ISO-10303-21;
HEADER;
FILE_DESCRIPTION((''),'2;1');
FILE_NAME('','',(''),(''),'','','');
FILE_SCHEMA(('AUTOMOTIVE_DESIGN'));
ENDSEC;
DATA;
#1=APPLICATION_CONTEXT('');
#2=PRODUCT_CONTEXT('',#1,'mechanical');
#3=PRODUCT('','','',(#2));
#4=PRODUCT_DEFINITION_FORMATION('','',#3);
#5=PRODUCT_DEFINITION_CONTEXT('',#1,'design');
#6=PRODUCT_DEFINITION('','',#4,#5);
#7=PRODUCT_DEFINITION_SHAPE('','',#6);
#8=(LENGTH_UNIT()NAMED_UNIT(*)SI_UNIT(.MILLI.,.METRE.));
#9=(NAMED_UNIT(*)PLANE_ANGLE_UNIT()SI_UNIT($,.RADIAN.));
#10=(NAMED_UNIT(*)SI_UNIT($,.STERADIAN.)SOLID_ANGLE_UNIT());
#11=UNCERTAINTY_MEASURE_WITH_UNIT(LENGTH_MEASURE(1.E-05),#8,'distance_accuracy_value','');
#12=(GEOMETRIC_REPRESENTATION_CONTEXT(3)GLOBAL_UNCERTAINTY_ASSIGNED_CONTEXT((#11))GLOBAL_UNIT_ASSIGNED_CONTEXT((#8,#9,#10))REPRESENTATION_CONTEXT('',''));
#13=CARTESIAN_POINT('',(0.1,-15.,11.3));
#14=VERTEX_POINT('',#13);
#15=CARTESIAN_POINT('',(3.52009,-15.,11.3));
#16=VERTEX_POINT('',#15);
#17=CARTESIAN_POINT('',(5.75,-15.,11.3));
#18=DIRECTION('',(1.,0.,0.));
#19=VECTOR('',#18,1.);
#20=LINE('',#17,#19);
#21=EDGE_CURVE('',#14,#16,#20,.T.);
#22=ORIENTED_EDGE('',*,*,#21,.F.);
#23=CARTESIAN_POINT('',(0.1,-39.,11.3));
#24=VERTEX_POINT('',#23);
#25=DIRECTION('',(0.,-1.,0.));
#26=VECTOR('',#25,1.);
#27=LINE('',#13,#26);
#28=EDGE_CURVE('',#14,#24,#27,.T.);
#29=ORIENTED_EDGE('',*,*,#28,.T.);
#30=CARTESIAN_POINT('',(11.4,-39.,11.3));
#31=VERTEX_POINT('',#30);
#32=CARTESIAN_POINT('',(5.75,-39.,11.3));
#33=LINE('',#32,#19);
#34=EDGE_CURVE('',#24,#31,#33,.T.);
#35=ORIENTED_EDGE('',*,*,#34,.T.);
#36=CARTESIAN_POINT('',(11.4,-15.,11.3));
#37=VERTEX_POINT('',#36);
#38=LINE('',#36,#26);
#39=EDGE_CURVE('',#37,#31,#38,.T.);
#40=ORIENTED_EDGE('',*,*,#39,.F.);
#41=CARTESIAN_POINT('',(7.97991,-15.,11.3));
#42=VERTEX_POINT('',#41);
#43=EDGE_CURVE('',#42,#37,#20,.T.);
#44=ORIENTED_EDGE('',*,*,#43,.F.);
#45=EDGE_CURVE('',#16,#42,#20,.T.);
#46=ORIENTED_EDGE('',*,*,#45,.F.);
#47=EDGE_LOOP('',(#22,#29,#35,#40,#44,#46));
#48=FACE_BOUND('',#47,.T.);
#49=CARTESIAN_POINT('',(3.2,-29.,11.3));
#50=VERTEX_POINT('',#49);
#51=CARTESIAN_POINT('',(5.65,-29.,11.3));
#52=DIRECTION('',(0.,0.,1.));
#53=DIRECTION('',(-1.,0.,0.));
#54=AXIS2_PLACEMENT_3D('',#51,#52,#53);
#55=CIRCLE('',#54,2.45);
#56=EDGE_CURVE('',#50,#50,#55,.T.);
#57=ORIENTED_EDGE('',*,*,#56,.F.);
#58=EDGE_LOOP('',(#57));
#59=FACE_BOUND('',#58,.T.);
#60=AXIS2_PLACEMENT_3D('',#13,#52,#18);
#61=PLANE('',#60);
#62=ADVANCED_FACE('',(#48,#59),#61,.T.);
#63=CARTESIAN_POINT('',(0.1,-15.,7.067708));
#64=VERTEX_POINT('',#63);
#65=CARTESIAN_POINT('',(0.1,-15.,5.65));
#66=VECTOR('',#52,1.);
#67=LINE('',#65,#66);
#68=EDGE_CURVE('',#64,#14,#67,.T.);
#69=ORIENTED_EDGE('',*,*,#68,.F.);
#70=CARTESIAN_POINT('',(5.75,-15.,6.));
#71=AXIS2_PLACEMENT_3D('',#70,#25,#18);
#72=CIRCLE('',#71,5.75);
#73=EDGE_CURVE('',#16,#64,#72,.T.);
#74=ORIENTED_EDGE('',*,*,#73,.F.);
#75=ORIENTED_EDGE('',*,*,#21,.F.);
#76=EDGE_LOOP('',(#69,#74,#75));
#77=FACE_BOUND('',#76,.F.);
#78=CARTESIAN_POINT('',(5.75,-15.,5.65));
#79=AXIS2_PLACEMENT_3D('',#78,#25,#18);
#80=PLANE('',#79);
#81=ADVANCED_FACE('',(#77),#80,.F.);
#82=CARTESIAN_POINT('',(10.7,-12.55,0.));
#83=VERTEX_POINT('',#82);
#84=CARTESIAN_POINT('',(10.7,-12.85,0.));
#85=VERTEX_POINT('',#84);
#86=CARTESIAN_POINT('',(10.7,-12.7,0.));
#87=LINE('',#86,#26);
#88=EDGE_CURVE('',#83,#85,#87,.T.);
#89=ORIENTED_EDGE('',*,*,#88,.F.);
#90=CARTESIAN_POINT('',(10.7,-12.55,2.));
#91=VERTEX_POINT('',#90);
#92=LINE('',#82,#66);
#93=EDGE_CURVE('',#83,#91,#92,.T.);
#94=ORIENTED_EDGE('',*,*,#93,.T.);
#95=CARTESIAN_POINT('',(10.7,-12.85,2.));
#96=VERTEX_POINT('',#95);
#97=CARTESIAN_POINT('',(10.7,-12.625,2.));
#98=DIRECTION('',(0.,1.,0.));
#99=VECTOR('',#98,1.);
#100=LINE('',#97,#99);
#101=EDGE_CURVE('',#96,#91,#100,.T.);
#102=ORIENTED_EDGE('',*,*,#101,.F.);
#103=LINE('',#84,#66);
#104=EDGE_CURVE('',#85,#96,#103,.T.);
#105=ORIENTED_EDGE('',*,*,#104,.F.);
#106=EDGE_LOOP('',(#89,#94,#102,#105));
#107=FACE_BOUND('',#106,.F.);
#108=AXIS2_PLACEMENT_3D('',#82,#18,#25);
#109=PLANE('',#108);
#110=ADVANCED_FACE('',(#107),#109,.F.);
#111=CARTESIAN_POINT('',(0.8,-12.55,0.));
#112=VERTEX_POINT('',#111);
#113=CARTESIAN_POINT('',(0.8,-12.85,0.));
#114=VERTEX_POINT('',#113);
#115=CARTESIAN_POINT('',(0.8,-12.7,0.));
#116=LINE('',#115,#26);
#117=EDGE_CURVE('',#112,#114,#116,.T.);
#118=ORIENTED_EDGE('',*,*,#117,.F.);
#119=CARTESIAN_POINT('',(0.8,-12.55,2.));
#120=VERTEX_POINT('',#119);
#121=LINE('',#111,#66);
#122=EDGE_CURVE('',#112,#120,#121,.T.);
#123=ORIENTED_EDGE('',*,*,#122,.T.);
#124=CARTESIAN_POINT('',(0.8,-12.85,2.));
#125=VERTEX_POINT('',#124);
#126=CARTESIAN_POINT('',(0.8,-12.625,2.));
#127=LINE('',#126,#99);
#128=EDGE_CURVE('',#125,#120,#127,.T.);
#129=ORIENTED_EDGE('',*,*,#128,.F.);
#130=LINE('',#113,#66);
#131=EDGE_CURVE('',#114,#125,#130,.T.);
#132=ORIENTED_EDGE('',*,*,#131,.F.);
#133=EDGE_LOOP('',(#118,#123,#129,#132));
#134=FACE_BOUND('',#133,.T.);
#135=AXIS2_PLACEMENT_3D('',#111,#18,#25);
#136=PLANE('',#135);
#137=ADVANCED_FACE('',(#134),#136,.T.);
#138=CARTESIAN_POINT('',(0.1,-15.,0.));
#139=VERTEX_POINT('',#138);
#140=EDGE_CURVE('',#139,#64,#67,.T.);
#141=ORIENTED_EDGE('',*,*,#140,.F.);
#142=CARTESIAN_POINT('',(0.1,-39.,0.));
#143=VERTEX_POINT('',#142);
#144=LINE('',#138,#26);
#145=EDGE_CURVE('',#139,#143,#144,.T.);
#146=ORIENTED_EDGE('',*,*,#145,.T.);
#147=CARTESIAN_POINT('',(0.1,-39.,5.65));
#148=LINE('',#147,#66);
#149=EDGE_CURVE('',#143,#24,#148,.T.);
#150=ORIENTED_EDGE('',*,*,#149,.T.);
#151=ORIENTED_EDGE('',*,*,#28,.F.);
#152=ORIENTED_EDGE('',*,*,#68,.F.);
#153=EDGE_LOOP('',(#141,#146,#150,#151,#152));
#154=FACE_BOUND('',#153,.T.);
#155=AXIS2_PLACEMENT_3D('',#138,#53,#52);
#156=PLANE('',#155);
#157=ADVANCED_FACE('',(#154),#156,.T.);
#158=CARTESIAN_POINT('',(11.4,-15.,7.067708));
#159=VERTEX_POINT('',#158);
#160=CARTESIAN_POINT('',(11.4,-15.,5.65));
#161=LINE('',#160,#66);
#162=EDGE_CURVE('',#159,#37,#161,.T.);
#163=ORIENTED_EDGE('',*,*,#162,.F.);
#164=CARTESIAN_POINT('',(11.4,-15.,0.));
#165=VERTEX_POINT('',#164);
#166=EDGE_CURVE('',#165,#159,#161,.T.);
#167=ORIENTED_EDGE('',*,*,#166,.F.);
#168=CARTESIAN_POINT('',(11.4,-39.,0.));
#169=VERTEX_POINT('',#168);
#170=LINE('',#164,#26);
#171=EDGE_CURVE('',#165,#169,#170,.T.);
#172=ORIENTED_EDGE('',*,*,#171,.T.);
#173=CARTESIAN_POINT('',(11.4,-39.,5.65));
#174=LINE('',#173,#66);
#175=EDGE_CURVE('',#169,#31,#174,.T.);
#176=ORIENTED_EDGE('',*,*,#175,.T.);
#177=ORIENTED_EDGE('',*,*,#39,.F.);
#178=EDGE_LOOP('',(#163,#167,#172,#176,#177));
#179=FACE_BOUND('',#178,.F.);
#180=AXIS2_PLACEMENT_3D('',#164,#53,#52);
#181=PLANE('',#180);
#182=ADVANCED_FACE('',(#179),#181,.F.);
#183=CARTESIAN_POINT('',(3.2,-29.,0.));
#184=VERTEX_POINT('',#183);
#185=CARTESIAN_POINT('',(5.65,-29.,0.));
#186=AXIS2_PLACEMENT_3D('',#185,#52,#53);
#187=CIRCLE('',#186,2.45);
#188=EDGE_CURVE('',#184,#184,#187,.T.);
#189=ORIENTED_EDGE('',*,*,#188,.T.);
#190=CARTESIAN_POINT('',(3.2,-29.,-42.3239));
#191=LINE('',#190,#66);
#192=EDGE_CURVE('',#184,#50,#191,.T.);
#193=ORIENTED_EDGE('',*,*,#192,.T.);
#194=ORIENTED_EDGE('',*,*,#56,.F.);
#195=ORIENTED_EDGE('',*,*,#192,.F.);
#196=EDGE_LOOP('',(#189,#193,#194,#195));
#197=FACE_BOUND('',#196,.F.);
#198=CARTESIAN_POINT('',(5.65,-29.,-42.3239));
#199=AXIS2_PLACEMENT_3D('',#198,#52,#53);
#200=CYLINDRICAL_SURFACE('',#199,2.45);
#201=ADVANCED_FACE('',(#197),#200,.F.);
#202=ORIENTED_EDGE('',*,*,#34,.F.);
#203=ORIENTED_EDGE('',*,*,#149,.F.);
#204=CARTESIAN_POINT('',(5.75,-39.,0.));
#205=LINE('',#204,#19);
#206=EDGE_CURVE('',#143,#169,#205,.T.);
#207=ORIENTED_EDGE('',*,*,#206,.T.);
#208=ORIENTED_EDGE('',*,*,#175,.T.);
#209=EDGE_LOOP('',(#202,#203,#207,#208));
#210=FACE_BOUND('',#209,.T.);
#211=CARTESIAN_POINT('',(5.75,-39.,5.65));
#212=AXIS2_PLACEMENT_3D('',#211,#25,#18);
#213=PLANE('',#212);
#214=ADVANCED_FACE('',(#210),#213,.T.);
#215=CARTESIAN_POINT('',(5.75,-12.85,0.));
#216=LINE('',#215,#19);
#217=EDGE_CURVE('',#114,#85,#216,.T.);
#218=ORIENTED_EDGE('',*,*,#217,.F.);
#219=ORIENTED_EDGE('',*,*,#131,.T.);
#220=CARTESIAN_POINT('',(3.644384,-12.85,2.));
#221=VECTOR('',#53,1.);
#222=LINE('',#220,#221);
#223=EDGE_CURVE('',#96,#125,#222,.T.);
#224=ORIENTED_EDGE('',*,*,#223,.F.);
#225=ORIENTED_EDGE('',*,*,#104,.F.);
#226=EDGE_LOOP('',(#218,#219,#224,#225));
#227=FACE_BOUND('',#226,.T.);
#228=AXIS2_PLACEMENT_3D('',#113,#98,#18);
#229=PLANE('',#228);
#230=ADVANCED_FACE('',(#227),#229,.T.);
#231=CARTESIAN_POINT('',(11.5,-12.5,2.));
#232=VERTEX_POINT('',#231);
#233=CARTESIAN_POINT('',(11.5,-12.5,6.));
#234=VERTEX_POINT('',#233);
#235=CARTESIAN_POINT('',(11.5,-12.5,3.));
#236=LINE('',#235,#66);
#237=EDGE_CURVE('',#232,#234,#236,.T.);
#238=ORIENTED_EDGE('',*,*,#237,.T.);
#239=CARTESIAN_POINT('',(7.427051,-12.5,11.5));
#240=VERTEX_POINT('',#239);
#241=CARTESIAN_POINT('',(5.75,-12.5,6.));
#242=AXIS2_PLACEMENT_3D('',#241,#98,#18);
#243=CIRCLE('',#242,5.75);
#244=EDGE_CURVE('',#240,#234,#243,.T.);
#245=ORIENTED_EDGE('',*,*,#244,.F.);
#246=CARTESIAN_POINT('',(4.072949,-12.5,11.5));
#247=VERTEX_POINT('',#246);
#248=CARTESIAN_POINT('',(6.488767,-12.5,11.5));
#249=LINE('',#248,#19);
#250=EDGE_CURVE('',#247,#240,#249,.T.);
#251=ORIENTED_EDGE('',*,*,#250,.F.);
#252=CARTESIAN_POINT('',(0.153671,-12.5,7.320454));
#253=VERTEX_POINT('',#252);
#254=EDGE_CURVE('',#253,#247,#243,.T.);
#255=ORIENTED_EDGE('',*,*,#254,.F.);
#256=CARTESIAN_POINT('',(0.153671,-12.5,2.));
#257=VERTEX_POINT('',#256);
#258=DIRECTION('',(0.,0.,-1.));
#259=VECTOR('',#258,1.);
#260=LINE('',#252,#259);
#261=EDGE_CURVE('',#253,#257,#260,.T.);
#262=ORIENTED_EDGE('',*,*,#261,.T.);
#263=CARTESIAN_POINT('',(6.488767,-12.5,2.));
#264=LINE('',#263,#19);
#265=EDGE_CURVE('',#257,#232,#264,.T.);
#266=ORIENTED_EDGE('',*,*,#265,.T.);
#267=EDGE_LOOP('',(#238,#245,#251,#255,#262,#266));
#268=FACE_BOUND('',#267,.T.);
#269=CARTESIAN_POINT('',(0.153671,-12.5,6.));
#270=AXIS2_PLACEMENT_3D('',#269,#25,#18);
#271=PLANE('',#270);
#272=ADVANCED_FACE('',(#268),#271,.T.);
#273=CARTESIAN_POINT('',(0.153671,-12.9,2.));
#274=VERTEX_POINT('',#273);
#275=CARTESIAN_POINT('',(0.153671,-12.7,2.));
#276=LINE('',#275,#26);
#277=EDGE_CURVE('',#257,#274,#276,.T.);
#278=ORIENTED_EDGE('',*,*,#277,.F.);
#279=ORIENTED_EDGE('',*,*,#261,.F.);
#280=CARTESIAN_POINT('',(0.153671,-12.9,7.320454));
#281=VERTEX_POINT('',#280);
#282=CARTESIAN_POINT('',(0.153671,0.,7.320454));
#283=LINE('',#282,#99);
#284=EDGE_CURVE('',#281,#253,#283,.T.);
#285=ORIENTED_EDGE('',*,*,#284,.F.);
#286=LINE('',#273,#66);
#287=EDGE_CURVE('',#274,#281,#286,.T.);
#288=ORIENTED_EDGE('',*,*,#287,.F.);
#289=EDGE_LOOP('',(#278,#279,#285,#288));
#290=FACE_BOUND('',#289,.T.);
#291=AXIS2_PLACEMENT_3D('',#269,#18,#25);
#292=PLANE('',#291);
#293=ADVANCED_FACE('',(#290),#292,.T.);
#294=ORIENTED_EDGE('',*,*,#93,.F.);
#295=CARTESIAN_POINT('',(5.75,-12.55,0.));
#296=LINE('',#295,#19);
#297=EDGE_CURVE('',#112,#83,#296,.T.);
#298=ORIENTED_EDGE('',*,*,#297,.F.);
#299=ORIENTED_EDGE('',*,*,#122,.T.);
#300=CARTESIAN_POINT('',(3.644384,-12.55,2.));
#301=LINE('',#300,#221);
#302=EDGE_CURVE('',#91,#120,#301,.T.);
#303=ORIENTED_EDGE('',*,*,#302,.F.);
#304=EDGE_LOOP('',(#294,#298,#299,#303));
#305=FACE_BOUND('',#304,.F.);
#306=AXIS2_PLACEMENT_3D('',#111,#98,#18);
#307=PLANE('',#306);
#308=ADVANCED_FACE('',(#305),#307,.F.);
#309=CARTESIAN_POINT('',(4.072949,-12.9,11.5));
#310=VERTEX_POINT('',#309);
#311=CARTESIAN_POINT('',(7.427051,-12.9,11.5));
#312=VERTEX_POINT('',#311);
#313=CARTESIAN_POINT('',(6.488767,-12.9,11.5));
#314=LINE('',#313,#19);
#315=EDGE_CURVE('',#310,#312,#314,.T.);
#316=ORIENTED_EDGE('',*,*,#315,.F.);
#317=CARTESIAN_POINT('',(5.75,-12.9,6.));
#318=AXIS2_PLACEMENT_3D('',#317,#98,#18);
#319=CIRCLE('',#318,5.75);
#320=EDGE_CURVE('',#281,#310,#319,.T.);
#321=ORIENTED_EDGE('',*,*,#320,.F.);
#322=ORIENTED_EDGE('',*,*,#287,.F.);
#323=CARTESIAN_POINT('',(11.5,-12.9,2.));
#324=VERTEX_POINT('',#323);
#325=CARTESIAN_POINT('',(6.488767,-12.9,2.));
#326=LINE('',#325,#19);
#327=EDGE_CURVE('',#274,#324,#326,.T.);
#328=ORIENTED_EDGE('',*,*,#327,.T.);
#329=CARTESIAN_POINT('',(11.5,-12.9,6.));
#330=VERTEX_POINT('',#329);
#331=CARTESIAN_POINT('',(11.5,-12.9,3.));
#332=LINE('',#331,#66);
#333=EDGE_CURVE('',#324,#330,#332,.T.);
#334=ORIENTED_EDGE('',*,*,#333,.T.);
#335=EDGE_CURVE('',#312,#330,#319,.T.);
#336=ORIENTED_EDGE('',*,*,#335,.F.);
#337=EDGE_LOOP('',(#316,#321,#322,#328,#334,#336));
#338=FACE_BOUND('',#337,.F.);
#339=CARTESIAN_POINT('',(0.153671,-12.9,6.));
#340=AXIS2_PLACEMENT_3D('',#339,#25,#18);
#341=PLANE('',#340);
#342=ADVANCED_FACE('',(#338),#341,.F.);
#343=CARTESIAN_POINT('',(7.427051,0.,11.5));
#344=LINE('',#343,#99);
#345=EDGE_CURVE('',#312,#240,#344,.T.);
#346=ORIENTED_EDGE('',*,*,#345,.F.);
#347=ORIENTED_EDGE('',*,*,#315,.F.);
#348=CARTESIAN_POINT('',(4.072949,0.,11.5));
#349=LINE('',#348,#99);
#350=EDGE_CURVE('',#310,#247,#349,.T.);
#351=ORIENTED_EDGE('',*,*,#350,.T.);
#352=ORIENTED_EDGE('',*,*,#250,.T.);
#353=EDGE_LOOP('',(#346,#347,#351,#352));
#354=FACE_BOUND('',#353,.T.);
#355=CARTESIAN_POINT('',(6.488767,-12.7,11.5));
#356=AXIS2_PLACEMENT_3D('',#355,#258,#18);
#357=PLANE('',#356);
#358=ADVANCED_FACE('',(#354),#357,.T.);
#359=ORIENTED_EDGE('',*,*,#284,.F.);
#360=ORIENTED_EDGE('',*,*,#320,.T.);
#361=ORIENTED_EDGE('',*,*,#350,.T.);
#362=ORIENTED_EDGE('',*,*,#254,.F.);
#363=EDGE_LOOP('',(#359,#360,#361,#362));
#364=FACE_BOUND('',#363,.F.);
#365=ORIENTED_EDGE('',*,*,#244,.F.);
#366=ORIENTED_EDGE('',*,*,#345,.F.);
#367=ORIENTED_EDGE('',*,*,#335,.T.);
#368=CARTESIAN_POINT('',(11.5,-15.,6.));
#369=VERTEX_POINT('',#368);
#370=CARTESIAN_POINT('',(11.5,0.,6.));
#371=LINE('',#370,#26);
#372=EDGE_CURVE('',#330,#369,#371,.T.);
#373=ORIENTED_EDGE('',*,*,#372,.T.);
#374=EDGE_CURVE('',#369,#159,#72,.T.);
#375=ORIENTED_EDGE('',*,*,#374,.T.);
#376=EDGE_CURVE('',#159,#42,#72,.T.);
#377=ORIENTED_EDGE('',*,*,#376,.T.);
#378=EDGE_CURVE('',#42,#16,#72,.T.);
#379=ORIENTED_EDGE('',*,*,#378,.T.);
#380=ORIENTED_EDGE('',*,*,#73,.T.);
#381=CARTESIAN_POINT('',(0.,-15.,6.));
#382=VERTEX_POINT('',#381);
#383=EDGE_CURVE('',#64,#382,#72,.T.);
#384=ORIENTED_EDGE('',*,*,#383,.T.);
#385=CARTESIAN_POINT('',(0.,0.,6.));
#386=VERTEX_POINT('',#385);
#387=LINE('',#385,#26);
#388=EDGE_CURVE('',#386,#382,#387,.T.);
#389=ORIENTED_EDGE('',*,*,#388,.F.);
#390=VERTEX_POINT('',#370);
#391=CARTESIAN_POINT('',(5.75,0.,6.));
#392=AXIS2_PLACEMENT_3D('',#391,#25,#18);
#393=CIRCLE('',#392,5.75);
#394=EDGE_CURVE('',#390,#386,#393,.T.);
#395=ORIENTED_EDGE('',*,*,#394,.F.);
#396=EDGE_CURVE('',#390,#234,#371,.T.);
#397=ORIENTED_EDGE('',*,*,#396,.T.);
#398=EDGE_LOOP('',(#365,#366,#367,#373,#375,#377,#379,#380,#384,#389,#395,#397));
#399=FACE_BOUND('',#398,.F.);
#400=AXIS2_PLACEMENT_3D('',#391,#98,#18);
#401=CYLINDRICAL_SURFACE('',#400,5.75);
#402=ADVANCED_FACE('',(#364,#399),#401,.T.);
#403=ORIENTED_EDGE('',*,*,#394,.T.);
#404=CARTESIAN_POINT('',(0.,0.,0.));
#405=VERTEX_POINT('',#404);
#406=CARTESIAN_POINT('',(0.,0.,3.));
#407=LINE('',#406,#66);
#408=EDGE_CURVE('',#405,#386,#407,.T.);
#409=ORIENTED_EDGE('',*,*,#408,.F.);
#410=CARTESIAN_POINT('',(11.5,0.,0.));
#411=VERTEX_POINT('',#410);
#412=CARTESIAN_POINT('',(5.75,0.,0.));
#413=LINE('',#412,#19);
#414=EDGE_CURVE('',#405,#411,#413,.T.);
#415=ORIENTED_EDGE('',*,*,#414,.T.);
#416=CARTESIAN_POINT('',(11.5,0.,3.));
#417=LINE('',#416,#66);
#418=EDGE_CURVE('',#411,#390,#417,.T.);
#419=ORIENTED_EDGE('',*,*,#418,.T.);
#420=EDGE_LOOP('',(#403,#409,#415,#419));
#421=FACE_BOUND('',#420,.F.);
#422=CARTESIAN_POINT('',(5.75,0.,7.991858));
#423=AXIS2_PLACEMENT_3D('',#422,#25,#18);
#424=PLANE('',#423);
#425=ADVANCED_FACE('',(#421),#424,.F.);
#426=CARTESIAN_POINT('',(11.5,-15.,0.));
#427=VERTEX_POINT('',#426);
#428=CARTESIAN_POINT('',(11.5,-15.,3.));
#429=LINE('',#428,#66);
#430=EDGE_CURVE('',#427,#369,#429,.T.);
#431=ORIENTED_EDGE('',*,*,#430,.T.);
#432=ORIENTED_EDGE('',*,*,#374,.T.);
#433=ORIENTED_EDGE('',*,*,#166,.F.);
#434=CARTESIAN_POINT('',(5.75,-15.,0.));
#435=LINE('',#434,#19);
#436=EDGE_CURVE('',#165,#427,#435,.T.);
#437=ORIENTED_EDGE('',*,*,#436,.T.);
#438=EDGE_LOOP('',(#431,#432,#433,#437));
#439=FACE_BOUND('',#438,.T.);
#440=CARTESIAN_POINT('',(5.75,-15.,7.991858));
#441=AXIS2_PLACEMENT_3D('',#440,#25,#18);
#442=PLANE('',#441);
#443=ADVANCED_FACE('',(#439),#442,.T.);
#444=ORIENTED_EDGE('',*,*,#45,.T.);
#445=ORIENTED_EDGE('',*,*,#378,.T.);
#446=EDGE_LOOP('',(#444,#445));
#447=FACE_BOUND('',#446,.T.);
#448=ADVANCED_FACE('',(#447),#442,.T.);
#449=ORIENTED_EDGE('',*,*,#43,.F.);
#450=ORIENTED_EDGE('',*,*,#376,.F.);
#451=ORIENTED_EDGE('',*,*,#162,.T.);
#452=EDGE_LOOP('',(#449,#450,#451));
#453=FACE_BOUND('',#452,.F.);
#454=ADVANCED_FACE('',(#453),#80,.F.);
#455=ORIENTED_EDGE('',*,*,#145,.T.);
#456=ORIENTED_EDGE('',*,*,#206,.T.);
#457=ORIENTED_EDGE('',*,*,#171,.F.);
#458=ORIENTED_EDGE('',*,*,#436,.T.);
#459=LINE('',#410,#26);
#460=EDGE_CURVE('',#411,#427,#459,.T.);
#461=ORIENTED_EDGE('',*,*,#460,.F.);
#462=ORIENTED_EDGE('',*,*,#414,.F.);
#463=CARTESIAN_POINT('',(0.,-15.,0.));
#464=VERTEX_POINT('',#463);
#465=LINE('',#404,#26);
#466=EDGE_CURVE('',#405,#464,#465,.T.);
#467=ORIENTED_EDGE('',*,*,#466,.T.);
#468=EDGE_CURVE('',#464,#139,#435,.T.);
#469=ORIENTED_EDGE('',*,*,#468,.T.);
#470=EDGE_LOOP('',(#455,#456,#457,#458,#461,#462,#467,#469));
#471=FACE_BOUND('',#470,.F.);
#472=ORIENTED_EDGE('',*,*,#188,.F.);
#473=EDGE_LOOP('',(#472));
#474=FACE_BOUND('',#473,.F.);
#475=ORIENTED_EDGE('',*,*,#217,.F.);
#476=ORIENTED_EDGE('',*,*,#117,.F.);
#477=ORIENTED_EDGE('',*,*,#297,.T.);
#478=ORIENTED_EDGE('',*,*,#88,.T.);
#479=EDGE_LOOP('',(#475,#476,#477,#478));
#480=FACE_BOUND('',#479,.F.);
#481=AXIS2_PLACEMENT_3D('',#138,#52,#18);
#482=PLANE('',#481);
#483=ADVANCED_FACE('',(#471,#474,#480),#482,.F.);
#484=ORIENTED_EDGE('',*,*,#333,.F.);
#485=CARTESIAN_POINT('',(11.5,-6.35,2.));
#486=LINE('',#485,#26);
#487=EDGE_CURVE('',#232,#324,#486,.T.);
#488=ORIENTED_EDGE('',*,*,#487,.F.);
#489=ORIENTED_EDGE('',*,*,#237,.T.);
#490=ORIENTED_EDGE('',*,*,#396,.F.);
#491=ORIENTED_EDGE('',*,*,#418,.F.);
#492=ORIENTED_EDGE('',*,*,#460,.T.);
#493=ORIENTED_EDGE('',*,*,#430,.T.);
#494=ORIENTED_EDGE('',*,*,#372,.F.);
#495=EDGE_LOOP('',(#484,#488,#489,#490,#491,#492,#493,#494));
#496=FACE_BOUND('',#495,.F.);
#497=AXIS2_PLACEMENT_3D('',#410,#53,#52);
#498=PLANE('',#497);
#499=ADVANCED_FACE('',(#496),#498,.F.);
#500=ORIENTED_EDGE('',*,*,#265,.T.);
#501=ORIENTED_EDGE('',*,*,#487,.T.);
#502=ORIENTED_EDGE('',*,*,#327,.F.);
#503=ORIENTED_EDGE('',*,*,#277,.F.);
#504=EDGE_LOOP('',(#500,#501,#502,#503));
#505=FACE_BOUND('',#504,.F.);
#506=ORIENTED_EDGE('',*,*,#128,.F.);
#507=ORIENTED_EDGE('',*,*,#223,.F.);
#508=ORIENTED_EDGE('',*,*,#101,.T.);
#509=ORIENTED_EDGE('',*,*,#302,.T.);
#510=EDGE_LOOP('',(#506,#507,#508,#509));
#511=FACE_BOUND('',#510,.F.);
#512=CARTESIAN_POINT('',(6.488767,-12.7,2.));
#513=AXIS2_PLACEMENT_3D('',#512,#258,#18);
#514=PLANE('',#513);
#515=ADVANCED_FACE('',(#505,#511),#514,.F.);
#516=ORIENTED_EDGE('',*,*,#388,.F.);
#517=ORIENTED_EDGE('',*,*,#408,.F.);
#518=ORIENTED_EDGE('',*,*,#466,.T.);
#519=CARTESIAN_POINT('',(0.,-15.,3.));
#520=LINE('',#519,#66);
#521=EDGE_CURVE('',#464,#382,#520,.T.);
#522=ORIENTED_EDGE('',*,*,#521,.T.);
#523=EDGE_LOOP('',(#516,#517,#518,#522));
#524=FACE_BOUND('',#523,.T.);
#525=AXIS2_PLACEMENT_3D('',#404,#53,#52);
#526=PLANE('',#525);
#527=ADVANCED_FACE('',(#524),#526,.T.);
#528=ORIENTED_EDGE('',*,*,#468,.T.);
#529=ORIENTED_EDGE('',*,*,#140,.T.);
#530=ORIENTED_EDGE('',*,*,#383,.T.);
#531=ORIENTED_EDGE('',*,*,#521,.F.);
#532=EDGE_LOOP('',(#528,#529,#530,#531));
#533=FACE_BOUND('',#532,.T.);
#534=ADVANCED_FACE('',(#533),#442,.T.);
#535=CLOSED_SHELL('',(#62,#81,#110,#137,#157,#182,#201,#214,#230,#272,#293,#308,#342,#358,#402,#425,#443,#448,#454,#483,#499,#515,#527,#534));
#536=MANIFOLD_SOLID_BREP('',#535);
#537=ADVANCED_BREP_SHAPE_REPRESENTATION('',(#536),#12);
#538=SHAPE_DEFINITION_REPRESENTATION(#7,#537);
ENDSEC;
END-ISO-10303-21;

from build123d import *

# Parameters (mm, degrees)
F0_W      = 11.5
F0_H      = 6
F1_DEPTH  = 15
F2_W      = 11.3
F2_H      = 11.3
F3_DEPTH  = 24
F5_W      = 12.6701932168
F5_H      = 0.4
F6_DEPTH  = 5.5
F7_W      = 9.9
F7_H      = 0.3
F8_DEPTH  = 6
F9_D      = 4.9
F10_DEPTH = 4


with BuildPart() as f1:
    # F0 (on Front) → F1 (new body)
    with BuildSketch(Plane.XZ):
        with BuildLine():
            ThreePointArc((11.5, 6), (5.75, 11.75), (0, 6))
            Line((0, 6), (11.5, 6))
        make_face()
        with Locations((5.75, 3)):
            Rectangle(F0_W, F0_H)
    extrude(amount=F1_DEPTH)

    # F2 (on face) → F3 (join)
    with BuildSketch(Plane.XZ.offset(15)):
        with Locations((5.75, 5.65)):
            Rectangle(F2_W, F2_H)
    extrude(amount=F3_DEPTH)

    # F5 (on 3pt) → F6 (cut)
    with BuildSketch(Plane(origin=(0, 0, 6), x_dir=(1, 0, 0), z_dir=(0, 0, -1))):
        with Locations((6.4887672779, 12.7)):
            Rectangle(F5_W, F5_H)
    extrude(amount=-F6_DEPTH, mode=Mode.SUBTRACT)

    # F7 (on face) → F8 (cut, through all)
    with BuildSketch(Plane(origin=(0, 0, 0), x_dir=(1, 0, 0), z_dir=(0, 0, -1))):
        with Locations((5.75, 12.7)):
            Rectangle(F7_W, F7_H)
    extrude(amount=-F8_DEPTH, mode=Mode.SUBTRACT)

    # F9 (through all)
    with Locations(Plane(origin=(0, 0, 0), x_dir=(1, 0, 0), z_dir=(0, 0, -1))):
        with Locations((5.65, 29)):
            Hole(F9_D / 2)

    # F5 (on 3pt) → F10 (cut)
    with BuildSketch(Plane(origin=(0, 0, 6), x_dir=(1, 0, 0), z_dir=(0, 0, -1))):
        with Locations((6.4887672779, 12.7)):
            Rectangle(F5_W, F5_H)
    extrude(amount=F10_DEPTH, mode=Mode.SUBTRACT)


solid = f1.part
